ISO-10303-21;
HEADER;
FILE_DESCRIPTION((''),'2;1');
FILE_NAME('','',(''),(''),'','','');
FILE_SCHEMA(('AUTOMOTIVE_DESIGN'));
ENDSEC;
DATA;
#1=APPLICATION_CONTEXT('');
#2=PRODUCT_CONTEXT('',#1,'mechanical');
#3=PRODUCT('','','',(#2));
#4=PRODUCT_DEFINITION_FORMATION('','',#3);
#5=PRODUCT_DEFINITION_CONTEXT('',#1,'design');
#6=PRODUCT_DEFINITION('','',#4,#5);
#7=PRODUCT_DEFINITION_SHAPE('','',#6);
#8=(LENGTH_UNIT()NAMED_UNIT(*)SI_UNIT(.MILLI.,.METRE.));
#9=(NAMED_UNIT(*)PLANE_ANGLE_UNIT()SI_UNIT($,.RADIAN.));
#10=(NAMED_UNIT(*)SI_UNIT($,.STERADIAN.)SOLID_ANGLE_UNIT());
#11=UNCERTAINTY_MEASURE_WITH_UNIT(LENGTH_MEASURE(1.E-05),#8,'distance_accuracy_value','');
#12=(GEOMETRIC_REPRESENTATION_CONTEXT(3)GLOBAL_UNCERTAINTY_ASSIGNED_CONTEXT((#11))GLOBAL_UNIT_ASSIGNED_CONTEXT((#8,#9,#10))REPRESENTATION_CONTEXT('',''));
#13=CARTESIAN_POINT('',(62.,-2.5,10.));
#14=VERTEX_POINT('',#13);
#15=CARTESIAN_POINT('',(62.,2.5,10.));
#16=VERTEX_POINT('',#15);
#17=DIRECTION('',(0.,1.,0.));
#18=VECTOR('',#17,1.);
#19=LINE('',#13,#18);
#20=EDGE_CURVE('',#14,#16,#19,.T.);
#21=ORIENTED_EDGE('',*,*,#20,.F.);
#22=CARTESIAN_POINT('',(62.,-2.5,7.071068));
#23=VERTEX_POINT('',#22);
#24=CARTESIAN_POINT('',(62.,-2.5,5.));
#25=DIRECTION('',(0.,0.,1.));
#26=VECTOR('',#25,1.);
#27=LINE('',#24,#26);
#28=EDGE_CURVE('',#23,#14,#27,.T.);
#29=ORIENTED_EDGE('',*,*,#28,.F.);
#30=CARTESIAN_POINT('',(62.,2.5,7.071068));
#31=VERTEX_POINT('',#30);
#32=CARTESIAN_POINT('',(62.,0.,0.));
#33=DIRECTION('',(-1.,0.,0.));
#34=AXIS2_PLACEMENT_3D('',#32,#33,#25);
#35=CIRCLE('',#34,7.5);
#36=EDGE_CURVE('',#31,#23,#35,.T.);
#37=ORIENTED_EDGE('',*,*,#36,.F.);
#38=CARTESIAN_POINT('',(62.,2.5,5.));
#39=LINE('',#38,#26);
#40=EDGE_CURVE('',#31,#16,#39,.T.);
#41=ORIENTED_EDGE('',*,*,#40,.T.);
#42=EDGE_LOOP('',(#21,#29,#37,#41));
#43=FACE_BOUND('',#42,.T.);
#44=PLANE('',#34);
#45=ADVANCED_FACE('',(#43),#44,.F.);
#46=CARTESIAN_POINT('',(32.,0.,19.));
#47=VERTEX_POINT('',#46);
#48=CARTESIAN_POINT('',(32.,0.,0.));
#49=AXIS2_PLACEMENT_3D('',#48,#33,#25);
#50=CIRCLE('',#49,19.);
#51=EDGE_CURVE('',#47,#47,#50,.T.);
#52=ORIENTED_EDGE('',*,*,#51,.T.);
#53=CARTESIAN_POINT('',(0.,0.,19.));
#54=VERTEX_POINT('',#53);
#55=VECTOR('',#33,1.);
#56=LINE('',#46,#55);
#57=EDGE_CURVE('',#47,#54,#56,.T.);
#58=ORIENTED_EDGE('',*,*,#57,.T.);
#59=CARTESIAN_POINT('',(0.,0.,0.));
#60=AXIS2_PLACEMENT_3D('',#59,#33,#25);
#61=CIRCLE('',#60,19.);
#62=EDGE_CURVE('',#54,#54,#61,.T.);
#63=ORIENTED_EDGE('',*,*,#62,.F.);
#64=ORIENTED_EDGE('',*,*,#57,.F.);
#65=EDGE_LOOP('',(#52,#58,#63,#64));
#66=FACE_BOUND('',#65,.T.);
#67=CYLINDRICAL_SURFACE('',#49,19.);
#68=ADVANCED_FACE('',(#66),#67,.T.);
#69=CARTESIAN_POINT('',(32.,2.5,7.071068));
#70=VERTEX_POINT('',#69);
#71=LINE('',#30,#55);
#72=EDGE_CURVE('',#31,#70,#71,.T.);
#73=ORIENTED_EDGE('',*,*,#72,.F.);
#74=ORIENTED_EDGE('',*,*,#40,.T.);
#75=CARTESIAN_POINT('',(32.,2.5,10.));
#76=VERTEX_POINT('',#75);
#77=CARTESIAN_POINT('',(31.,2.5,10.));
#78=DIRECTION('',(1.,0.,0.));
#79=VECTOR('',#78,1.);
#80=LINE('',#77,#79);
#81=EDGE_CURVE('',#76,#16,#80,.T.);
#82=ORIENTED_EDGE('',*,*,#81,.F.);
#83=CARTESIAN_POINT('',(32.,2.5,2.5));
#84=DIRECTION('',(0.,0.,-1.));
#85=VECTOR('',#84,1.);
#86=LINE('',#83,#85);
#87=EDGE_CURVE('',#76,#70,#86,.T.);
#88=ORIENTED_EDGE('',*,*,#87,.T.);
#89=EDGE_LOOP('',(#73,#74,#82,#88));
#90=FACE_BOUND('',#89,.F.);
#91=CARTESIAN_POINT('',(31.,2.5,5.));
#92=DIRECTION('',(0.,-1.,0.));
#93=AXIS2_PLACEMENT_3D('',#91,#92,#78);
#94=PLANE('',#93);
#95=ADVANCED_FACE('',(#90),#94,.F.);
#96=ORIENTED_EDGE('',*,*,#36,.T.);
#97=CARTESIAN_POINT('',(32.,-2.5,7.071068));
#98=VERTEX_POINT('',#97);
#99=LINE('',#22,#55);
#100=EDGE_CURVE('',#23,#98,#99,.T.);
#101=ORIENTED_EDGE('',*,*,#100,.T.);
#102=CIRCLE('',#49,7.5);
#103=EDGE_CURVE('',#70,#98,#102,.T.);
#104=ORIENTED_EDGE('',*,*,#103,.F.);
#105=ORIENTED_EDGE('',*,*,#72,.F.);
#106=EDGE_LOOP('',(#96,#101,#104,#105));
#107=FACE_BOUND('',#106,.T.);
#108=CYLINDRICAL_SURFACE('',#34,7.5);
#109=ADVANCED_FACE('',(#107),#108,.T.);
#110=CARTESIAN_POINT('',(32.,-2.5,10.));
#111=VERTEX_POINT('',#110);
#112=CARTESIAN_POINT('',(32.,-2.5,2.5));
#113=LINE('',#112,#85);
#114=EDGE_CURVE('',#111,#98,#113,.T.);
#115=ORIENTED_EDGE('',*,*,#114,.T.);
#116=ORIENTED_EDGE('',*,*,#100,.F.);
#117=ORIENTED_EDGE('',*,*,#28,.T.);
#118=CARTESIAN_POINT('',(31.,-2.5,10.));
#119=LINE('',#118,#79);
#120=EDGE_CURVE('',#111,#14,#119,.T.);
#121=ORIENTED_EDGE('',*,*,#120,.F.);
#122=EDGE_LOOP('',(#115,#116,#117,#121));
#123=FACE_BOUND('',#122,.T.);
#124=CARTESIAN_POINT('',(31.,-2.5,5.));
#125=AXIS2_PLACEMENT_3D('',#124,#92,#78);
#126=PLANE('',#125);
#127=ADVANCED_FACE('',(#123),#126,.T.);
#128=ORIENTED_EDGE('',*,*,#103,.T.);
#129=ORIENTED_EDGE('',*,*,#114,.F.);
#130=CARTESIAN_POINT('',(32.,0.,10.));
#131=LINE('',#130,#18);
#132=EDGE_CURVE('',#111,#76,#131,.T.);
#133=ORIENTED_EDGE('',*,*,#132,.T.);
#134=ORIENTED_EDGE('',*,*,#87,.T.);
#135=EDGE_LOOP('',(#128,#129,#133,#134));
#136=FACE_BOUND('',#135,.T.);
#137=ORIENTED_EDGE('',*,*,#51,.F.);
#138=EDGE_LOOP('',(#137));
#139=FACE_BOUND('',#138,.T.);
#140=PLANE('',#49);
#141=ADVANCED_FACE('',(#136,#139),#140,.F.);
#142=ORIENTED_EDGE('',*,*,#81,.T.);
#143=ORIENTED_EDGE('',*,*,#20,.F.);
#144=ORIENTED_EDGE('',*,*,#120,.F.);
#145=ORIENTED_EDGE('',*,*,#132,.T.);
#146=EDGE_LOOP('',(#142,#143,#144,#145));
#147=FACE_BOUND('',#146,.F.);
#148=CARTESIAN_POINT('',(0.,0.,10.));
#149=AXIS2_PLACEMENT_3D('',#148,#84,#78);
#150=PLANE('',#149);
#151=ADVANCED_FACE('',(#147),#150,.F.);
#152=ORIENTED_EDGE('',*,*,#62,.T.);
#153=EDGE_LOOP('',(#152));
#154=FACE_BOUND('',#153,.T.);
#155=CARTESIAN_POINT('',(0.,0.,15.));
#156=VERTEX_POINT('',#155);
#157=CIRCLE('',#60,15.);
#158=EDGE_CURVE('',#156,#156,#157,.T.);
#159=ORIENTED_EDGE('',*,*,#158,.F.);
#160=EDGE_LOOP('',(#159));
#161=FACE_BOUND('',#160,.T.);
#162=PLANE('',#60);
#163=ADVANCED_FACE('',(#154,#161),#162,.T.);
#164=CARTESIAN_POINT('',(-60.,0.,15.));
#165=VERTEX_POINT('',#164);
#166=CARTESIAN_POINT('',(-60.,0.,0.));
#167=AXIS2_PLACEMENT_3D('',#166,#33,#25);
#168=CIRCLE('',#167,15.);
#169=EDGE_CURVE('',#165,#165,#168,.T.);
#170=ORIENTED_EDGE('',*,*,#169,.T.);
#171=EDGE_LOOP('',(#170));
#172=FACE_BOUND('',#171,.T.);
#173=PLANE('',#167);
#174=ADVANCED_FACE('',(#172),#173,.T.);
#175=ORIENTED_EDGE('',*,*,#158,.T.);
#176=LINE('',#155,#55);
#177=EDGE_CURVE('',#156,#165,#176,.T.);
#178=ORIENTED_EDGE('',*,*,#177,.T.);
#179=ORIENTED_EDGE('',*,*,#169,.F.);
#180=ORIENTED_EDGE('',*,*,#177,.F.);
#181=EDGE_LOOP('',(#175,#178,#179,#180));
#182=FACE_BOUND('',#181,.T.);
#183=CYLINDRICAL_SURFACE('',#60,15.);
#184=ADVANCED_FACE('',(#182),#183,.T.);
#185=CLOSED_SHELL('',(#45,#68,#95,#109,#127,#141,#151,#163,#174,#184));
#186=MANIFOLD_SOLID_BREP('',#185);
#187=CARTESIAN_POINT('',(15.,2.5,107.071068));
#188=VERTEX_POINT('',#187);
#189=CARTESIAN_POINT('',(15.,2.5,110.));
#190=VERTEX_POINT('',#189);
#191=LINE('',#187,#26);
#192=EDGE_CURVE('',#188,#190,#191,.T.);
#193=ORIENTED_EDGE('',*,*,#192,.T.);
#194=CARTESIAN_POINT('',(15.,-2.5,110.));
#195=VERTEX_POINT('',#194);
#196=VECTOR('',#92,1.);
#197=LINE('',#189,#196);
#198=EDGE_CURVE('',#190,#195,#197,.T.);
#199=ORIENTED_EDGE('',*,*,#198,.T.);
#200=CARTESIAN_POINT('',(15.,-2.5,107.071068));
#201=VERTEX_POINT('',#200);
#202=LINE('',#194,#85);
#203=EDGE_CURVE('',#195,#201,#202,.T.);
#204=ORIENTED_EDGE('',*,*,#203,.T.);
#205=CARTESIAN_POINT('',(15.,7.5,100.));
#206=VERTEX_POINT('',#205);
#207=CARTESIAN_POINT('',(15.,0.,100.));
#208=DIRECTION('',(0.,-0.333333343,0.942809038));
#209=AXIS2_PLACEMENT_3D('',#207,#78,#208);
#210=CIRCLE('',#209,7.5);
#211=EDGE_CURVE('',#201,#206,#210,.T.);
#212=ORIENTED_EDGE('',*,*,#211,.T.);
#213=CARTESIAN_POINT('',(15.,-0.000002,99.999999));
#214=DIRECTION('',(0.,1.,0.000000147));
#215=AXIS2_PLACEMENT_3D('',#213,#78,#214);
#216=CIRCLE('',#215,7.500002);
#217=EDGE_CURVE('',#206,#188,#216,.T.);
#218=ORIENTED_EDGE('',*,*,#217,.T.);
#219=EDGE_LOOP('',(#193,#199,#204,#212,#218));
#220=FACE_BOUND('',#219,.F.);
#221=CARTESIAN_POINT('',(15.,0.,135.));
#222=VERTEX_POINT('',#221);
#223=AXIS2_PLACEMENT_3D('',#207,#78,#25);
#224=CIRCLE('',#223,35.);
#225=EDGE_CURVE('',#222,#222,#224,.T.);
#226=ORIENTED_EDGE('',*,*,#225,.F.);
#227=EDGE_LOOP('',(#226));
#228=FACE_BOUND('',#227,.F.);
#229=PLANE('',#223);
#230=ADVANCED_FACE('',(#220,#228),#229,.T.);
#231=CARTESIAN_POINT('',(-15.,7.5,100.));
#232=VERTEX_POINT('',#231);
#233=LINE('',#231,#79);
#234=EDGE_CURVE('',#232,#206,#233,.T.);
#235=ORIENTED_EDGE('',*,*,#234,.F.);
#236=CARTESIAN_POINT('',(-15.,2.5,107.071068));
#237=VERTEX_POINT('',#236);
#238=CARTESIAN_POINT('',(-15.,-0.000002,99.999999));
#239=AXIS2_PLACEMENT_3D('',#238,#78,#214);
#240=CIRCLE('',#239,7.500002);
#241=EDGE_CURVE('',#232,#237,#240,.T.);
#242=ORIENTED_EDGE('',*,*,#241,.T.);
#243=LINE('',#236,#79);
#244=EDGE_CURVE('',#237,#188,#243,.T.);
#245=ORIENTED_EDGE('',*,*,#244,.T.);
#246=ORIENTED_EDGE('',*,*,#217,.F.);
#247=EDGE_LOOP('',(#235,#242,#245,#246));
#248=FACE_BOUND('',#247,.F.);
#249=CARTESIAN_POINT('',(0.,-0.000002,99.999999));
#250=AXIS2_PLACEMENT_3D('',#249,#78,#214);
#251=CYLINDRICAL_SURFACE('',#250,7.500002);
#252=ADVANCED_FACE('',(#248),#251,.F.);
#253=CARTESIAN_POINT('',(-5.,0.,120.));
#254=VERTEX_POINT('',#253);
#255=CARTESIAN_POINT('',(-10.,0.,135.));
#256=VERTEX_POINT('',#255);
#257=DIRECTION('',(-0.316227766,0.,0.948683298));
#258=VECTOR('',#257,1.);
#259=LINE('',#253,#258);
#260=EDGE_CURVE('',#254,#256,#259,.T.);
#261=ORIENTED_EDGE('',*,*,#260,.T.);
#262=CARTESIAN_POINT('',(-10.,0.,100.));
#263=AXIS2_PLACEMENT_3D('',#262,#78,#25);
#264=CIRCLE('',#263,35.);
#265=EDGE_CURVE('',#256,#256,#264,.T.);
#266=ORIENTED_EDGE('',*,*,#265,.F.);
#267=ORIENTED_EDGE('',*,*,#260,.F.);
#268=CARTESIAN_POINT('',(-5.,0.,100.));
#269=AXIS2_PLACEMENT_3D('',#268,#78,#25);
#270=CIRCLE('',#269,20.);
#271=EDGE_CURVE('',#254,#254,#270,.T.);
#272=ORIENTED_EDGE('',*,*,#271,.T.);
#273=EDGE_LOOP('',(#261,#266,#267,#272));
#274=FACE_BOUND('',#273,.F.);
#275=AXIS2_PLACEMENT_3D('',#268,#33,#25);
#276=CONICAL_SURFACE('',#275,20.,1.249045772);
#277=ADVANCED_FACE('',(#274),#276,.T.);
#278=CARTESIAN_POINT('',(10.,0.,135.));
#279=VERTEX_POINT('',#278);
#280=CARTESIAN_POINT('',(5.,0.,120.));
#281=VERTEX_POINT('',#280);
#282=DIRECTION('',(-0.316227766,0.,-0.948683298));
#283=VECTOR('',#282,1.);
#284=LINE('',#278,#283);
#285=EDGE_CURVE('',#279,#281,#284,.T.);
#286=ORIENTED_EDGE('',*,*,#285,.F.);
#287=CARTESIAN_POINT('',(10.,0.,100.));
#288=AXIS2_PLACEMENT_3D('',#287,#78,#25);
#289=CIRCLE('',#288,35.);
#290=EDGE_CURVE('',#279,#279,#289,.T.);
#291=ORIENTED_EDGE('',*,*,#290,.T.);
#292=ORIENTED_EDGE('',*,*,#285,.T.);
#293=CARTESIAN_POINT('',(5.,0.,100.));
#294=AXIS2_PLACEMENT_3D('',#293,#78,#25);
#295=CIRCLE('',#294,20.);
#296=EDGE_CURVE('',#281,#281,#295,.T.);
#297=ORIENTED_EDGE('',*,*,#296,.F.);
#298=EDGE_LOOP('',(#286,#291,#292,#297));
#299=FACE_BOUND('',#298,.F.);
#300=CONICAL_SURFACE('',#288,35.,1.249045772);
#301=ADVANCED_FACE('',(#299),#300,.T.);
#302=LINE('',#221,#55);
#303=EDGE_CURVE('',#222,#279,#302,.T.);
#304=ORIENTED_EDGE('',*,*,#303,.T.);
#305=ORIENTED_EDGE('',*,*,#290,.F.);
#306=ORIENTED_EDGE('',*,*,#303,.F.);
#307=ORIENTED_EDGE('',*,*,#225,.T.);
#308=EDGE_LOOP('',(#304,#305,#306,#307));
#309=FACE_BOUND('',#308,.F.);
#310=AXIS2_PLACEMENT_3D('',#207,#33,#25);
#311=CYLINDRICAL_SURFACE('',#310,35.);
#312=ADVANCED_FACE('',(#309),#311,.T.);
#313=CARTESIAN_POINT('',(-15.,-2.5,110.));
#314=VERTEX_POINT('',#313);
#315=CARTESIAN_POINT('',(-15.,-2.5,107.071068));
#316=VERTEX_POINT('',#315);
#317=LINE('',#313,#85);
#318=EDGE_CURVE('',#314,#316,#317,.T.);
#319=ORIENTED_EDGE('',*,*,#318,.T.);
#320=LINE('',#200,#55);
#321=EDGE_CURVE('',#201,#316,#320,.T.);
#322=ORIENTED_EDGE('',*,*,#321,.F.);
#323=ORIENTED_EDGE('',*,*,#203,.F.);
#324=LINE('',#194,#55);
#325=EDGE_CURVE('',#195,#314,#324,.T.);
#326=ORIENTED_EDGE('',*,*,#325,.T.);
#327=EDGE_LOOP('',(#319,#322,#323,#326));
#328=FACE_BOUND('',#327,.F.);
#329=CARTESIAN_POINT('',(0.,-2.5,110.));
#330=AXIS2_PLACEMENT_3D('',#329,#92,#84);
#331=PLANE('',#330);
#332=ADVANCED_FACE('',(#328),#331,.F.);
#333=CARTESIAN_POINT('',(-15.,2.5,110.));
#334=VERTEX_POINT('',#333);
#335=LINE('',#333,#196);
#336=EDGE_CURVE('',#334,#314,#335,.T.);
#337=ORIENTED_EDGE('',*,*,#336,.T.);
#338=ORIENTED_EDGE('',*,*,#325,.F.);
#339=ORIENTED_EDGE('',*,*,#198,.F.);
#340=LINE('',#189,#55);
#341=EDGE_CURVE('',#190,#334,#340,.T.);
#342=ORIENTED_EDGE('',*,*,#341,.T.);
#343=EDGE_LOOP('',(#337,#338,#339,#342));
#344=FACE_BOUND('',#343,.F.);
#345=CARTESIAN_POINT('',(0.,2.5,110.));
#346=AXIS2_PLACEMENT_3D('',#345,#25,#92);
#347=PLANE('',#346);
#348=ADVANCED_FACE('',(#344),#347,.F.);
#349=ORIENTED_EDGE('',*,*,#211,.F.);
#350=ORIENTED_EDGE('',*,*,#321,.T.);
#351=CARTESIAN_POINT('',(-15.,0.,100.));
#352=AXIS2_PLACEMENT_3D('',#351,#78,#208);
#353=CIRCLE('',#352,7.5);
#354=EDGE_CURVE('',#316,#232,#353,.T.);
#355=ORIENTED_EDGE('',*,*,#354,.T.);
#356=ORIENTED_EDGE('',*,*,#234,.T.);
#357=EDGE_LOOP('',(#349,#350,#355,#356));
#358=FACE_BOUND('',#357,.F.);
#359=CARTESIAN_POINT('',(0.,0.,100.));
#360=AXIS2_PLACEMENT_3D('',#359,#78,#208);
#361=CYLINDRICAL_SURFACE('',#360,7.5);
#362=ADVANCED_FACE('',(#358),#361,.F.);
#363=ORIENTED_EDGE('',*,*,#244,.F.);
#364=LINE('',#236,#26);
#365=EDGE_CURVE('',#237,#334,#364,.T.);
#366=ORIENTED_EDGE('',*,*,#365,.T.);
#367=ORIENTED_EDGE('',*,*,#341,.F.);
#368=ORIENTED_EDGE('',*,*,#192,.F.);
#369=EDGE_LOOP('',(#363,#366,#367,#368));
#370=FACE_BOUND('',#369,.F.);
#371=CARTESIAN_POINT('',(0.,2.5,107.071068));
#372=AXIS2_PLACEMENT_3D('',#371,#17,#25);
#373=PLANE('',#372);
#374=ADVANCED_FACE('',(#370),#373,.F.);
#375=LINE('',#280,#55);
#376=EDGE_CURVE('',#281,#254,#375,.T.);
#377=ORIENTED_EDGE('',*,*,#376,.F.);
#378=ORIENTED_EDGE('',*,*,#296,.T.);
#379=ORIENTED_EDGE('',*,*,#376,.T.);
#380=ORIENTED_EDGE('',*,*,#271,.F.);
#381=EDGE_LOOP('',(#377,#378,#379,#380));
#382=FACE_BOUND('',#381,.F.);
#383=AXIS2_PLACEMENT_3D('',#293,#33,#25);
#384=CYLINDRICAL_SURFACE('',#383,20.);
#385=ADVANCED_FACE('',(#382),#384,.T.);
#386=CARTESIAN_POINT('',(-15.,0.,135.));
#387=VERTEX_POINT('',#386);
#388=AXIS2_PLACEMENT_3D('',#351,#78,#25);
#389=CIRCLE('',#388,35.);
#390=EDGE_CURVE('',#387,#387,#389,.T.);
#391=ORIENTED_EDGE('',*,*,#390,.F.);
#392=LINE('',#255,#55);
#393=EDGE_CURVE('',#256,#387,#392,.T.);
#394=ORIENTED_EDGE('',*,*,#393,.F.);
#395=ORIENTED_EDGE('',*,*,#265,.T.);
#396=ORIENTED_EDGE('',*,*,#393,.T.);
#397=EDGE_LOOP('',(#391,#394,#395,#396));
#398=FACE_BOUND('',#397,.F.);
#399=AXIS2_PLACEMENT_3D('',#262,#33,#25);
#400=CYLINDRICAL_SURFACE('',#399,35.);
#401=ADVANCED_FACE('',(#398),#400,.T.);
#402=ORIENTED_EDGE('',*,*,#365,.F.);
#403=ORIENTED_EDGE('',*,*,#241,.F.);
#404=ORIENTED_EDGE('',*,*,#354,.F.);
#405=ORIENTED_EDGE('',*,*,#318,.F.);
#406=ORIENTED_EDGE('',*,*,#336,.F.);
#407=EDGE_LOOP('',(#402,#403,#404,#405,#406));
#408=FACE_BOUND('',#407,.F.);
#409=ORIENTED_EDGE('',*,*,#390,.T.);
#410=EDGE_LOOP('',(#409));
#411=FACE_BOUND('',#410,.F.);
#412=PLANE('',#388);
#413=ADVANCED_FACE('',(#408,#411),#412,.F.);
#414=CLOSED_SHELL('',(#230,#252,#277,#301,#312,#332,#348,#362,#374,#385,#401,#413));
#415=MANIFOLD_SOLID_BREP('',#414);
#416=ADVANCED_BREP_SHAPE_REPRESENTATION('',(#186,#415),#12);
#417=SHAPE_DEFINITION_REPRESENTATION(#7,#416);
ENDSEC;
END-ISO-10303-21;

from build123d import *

# Parameters (mm, degrees)
F1_W     = 62
F1_H     = 10
F3_DEPTH = 2.5
F6_DEPTH = 15


with BuildPart() as f2:
    # F0 (on Front) → F2 (revolve)
    with BuildSketch(Plane.XZ):
        Polygon((-60, 15), (-60, 0), (0, 0), (62, 0), (62, 7.5), (32, 7.5), (32, 19), (0, 19), (0, 15), align=None)
    revolve(axis=Axis((-30, 0, 0), (-1, 0, 0)))

    # F1 (on Front) → F3 (join, symmetric)
    with BuildSketch(Plane.XZ):
        with Locations((31, 5)):
            Rectangle(F1_W, F1_H)
    extrude(amount=F3_DEPTH, both=True)


with BuildPart() as f4:
    # F0 (on Front) → F4 (revolve)
    with BuildSketch(Plane.XZ):
        Polygon((-10, 135), (-15, 135), (-15, 100), (15, 100), (15, 135), (10, 135), (5, 120), (-5, 120), align=None)
    revolve(axis=Axis((0, 0, 100), (1, 0, 0)))

    # F5 (on Right) → F6 (cut, symmetric)
    with BuildSketch(Plane.YZ):
        with BuildLine():
            ThreePointArc((-2.5, 107.071068), (-4.330127, 93.876276), (7.5, 100))
            ThreePointArc((7.5, 100), (6.123724, 104.330127), (2.5, 107.071068))
            ThreePointArc((2.5, 107.071068), (0, 107.5), (-2.5, 107.071068))
        make_face()
        with BuildLine():
            ThreePointArc((-2.5, 107.071068), (0, 107.5), (2.5, 107.071068))
            Line((2.5, 107.071068), (2.5, 110))
            Line((2.5, 110), (-2.5, 110))
            Line((-2.5, 110), (-2.5, 107.071068))
        make_face()
    extrude(amount=F6_DEPTH, both=True, mode=Mode.SUBTRACT)


solid = Compound([f2.part, f4.part])
